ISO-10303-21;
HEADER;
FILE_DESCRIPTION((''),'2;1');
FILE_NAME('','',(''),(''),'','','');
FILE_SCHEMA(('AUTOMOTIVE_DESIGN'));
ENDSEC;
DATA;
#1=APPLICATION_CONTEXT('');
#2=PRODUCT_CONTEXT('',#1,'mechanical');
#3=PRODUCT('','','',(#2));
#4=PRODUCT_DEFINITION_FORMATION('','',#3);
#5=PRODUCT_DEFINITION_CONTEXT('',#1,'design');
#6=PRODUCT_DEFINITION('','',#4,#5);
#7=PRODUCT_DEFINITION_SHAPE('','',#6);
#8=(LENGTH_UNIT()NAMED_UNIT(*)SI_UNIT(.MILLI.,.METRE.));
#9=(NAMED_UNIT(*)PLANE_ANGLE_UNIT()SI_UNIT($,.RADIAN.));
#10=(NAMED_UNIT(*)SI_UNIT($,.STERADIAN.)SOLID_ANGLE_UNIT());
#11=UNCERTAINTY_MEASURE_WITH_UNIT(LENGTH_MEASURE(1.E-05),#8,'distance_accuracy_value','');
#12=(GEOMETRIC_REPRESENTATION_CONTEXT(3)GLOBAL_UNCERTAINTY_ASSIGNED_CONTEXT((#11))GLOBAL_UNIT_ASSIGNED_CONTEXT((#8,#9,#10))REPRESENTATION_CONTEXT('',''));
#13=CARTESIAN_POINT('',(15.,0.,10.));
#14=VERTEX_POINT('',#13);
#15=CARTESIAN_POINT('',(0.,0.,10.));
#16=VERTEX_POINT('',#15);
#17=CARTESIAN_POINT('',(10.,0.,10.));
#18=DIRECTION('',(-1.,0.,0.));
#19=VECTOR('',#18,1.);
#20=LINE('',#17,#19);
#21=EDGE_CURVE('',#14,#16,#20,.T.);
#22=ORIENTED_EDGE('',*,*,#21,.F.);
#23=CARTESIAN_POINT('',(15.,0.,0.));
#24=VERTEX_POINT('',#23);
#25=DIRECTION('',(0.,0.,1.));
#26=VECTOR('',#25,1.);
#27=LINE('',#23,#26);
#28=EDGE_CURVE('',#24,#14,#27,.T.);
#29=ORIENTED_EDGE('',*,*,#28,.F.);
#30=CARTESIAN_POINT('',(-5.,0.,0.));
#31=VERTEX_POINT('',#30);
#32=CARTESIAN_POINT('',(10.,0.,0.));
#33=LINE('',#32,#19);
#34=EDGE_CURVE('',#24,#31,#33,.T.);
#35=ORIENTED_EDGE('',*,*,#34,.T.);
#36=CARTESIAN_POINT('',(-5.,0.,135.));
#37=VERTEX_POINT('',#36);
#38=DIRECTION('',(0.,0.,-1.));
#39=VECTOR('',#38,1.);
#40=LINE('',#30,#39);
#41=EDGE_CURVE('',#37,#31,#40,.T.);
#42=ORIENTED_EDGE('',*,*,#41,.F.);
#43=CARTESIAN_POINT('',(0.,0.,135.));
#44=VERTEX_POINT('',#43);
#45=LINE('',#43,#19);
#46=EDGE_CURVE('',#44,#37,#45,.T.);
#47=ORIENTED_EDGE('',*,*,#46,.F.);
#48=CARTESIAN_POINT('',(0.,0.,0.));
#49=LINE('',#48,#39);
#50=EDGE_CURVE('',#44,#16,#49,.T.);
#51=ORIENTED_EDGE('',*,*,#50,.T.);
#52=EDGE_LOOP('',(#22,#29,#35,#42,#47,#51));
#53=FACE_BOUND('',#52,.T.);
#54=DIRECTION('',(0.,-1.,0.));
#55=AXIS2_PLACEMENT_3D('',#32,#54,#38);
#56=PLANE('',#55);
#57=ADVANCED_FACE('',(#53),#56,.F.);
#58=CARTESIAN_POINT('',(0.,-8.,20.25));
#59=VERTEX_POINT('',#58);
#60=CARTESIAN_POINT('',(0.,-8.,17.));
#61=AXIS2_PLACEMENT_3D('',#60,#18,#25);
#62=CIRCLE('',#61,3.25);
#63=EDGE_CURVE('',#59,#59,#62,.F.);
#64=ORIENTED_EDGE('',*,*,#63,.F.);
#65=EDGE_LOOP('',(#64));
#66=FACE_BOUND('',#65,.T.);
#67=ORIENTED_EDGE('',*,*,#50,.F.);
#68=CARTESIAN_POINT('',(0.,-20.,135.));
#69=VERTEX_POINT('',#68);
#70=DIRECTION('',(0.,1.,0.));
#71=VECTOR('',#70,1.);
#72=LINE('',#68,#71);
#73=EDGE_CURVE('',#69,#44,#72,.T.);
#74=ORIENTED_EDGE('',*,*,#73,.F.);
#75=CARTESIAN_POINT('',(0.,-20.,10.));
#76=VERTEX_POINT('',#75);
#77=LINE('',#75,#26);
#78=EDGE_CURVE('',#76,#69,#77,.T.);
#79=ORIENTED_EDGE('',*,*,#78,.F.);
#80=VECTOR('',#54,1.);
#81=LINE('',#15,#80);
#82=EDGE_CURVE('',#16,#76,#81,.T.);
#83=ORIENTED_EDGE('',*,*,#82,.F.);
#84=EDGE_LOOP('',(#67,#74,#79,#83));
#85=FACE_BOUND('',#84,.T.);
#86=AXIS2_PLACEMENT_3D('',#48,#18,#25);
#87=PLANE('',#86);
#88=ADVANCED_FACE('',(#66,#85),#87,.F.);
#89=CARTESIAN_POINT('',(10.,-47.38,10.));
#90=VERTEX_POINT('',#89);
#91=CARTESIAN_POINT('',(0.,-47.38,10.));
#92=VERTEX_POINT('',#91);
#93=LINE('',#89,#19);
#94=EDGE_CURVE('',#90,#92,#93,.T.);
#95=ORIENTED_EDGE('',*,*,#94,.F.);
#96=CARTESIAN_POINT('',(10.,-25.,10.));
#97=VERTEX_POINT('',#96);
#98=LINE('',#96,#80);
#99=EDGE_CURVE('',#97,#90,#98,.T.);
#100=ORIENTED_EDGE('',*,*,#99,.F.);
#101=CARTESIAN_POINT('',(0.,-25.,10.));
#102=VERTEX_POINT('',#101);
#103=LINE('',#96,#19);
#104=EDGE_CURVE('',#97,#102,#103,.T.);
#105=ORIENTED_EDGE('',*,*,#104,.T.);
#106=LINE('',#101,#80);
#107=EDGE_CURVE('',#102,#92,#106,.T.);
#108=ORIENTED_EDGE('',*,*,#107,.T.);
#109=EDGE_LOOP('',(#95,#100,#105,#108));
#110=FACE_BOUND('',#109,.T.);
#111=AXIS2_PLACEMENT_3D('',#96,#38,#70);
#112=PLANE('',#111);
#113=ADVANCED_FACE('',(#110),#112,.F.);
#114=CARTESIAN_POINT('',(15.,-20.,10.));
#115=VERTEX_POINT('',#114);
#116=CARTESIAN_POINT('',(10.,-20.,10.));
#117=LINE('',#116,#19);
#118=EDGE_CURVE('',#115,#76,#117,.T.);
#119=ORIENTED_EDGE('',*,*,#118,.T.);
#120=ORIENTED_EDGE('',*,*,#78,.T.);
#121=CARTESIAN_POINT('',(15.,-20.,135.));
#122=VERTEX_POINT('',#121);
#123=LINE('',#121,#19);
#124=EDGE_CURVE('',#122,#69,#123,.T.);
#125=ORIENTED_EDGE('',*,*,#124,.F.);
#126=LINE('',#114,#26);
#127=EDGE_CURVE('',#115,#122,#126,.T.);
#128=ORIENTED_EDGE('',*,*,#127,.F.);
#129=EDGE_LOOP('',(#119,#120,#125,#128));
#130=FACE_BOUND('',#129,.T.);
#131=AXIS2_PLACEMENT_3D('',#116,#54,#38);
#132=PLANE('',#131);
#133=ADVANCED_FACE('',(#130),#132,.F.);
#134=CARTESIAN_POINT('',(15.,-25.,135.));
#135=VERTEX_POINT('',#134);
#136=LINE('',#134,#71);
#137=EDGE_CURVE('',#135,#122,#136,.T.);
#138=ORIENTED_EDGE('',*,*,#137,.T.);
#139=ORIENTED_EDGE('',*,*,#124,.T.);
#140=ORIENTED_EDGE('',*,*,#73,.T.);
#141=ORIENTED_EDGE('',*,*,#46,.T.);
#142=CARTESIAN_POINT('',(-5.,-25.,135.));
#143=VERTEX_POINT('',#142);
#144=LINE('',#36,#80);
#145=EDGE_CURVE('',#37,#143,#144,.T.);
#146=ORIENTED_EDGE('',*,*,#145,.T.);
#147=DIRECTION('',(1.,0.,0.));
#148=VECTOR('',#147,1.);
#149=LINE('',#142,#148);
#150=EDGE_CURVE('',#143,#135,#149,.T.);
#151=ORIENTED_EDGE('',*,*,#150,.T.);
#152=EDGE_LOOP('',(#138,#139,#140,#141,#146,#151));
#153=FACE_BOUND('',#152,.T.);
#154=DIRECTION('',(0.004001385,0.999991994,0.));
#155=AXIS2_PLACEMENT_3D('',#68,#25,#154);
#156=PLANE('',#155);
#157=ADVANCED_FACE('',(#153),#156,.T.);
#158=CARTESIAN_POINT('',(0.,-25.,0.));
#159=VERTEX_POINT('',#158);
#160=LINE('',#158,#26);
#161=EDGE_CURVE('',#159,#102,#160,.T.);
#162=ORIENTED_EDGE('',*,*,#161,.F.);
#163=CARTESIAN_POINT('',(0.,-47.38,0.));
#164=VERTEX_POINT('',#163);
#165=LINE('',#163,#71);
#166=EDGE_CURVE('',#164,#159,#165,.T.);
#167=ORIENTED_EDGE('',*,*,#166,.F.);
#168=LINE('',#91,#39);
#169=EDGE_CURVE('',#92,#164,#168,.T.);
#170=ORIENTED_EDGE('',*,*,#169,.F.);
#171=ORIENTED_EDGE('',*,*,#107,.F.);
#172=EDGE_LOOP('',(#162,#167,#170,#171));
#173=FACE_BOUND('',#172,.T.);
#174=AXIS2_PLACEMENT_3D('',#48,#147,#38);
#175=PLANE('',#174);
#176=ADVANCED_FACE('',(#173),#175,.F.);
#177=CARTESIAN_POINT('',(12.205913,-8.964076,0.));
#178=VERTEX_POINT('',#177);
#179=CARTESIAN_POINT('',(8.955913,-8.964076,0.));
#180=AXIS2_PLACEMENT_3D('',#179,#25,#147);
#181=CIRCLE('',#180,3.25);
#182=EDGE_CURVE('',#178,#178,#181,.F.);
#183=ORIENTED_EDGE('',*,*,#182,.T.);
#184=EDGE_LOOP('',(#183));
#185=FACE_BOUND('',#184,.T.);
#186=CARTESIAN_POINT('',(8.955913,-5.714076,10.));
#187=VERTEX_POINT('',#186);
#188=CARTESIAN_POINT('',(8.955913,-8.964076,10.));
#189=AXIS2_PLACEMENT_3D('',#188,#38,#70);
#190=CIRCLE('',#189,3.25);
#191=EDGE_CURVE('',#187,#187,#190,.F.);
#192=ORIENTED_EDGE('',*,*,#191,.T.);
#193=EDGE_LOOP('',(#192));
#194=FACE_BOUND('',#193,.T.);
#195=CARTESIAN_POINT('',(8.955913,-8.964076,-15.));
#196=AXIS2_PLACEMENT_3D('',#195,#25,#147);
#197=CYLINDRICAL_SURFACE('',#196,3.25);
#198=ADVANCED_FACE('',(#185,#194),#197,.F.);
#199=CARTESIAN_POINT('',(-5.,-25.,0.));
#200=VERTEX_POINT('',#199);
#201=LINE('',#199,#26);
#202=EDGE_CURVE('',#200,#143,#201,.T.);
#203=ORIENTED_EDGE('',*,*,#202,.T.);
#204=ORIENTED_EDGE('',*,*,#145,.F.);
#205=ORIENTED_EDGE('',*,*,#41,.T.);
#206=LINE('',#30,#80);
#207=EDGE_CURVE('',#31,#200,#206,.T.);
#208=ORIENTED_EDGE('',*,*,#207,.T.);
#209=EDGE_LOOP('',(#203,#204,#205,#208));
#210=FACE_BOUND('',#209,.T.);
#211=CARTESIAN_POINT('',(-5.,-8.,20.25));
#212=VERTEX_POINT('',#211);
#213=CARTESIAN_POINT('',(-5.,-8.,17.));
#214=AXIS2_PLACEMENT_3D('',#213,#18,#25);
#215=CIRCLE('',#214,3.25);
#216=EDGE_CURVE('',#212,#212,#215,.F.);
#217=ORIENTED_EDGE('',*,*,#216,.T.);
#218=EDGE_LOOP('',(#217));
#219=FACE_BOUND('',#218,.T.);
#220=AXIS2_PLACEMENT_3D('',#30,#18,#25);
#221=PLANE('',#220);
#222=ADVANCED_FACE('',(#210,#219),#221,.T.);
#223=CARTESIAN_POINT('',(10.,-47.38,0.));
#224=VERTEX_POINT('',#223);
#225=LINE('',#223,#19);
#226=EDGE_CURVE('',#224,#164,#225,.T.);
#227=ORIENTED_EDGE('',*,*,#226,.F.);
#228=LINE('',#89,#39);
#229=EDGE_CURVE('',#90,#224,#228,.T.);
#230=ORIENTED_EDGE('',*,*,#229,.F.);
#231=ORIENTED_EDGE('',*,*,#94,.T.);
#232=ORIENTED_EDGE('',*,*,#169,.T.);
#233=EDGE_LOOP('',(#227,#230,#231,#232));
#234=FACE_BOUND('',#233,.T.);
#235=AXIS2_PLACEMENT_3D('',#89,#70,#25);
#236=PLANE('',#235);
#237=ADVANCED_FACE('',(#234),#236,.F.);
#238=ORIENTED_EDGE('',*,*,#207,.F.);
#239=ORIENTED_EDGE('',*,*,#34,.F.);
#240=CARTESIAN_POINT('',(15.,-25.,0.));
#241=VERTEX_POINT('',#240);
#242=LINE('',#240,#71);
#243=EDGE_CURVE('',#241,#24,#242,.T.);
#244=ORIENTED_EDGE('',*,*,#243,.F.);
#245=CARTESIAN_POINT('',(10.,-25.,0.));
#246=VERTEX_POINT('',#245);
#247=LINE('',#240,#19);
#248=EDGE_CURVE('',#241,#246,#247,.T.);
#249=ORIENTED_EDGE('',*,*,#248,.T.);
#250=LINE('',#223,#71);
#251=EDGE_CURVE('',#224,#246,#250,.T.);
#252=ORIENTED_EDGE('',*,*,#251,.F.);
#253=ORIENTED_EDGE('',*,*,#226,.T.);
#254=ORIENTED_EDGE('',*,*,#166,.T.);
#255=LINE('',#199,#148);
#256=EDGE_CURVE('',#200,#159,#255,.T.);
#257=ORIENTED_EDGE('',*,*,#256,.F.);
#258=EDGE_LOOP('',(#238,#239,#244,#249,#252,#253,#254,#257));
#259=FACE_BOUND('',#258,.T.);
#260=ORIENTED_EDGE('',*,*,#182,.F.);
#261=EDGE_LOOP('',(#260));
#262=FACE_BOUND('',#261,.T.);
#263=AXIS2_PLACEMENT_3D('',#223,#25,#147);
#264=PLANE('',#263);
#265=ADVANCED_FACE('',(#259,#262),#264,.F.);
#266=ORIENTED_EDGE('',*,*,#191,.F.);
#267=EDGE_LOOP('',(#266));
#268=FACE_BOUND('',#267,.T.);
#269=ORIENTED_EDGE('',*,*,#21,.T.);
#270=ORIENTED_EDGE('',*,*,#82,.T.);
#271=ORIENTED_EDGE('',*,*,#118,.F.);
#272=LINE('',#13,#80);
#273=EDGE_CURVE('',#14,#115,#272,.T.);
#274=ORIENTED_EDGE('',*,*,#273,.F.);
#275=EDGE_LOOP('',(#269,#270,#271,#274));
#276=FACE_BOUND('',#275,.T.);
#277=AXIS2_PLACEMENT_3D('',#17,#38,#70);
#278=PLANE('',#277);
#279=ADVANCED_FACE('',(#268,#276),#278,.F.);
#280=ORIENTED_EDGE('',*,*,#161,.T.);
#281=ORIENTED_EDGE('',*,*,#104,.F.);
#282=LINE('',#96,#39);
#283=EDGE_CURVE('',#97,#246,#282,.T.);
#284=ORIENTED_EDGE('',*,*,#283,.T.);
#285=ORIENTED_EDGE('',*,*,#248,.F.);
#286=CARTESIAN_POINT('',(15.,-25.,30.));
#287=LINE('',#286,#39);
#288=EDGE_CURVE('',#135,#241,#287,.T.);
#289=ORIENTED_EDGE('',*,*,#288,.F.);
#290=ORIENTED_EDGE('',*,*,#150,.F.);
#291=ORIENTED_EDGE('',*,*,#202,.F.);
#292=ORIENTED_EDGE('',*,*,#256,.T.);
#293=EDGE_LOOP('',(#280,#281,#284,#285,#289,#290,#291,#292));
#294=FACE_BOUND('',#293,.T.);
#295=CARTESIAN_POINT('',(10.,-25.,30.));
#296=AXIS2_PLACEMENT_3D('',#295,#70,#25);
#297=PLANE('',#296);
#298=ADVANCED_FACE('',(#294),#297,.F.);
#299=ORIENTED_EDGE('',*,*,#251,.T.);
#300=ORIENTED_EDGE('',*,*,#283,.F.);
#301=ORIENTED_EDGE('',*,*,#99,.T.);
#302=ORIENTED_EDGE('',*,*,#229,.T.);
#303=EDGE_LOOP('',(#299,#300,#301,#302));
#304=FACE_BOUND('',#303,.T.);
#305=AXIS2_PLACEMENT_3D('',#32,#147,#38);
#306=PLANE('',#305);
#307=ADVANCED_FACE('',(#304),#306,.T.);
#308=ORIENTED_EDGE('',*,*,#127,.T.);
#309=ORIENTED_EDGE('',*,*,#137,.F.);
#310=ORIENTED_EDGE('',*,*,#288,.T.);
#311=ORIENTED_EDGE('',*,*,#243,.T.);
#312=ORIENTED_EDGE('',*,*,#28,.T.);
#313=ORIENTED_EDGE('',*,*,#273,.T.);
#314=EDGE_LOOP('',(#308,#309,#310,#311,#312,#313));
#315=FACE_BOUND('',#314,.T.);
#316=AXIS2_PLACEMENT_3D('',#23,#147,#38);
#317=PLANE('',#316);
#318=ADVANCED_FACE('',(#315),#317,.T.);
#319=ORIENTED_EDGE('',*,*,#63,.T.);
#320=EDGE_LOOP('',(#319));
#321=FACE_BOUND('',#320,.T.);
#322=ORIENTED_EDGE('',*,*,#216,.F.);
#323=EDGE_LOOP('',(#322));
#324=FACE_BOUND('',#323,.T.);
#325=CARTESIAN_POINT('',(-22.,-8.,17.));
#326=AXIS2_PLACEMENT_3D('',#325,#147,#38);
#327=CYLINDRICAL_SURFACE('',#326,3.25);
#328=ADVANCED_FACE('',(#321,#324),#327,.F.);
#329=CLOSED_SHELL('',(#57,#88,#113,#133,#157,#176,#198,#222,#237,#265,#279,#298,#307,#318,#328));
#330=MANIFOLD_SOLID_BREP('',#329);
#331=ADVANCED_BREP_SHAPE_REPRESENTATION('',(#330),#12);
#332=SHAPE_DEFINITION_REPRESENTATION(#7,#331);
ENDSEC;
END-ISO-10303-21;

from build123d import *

# Parameters (mm, degrees)
BOSS_EXTRUDE1_DEPTH      = 10
SKETCH2_W                = 30
SKETCH2_H                = 25
BOSS_EXTRUDE2_DEPTH      = 5
BOSS_EXTRUDE3_DEPTH      = 5
BOSS_EXTRUDE4_DEPTH      = 105
SKETCH7_R                = 3.25
CUT_EXTRUDE10_DEPTH      = 15
CUT_EXTRUDE10_DEPTH_BACK = 13
SKETCH8_R                = 3.25
CUT_EXTRUDE11_DEPTH      = 17
CUT_EXTRUDE11_DEPTH_BACK = 14


with BuildPart() as part:
    # Sketch1 → Boss-Extrude1 (new body)
    with BuildSketch(Plane(origin=(0, 0, 0), x_dir=(0, 0, -1), z_dir=(1, 0, 0))):
        Polygon((0, 0), (-10, 0), (-10, -20), (-30, -20), (-30, -25), (-10, -25), (-10, -47.38), (0, -47.38), align=None)
    extrude(amount=BOSS_EXTRUDE1_DEPTH)

    # Sketch2 → Boss-Extrude2 (add)
    with BuildSketch(Plane.ZY):
        with Locations((15, -12.5)):
            Rectangle(SKETCH2_W, SKETCH2_H)
    extrude(amount=BOSS_EXTRUDE2_DEPTH)

    # Sketch3 → Boss-Extrude3 (add)
    with BuildSketch(Plane(origin=(10, 0, 0), x_dir=(0, 0, -1), z_dir=(1, 0, 0))):
        Polygon((-10, 0), (-10, -20), (-30, -20), (-30, -25), (-10, -25), (0, -25), (0, 0), align=None)
    extrude(amount=BOSS_EXTRUDE3_DEPTH)

    # Sketch4 → Boss-Extrude4 (add)
    with BuildSketch(Plane.XY.offset(30)):
        Polygon((-5, 0), (-5, -25), (15, -25), (15, -20), (0, -20), (0, 0), align=None)
    extrude(amount=BOSS_EXTRUDE4_DEPTH)

    # Sketch7 → Cut-Extrude10 (cut, two sides)
    with BuildSketch(Plane(origin=(0, 0, 0), x_dir=(-1, 0, 0), z_dir=(0, 0, -1))) as cut_extrude10_sk:
        with Locations((-8.955912711, -8.964075593)):
            Circle(SKETCH7_R)
    extrude(amount=CUT_EXTRUDE10_DEPTH, mode=Mode.SUBTRACT)
    extrude(cut_extrude10_sk.sketch, amount=-CUT_EXTRUDE10_DEPTH_BACK, mode=Mode.SUBTRACT)

    # Sketch8 → Cut-Extrude11 (cut, two sides)
    with BuildSketch(Plane.ZY.offset(5)) as cut_extrude11_sk:
        with Locations((17, -8)):
            Circle(SKETCH8_R)
    extrude(amount=CUT_EXTRUDE11_DEPTH, mode=Mode.SUBTRACT)
    extrude(cut_extrude11_sk.sketch, amount=-CUT_EXTRUDE11_DEPTH_BACK, mode=Mode.SUBTRACT)


solid = part.part
